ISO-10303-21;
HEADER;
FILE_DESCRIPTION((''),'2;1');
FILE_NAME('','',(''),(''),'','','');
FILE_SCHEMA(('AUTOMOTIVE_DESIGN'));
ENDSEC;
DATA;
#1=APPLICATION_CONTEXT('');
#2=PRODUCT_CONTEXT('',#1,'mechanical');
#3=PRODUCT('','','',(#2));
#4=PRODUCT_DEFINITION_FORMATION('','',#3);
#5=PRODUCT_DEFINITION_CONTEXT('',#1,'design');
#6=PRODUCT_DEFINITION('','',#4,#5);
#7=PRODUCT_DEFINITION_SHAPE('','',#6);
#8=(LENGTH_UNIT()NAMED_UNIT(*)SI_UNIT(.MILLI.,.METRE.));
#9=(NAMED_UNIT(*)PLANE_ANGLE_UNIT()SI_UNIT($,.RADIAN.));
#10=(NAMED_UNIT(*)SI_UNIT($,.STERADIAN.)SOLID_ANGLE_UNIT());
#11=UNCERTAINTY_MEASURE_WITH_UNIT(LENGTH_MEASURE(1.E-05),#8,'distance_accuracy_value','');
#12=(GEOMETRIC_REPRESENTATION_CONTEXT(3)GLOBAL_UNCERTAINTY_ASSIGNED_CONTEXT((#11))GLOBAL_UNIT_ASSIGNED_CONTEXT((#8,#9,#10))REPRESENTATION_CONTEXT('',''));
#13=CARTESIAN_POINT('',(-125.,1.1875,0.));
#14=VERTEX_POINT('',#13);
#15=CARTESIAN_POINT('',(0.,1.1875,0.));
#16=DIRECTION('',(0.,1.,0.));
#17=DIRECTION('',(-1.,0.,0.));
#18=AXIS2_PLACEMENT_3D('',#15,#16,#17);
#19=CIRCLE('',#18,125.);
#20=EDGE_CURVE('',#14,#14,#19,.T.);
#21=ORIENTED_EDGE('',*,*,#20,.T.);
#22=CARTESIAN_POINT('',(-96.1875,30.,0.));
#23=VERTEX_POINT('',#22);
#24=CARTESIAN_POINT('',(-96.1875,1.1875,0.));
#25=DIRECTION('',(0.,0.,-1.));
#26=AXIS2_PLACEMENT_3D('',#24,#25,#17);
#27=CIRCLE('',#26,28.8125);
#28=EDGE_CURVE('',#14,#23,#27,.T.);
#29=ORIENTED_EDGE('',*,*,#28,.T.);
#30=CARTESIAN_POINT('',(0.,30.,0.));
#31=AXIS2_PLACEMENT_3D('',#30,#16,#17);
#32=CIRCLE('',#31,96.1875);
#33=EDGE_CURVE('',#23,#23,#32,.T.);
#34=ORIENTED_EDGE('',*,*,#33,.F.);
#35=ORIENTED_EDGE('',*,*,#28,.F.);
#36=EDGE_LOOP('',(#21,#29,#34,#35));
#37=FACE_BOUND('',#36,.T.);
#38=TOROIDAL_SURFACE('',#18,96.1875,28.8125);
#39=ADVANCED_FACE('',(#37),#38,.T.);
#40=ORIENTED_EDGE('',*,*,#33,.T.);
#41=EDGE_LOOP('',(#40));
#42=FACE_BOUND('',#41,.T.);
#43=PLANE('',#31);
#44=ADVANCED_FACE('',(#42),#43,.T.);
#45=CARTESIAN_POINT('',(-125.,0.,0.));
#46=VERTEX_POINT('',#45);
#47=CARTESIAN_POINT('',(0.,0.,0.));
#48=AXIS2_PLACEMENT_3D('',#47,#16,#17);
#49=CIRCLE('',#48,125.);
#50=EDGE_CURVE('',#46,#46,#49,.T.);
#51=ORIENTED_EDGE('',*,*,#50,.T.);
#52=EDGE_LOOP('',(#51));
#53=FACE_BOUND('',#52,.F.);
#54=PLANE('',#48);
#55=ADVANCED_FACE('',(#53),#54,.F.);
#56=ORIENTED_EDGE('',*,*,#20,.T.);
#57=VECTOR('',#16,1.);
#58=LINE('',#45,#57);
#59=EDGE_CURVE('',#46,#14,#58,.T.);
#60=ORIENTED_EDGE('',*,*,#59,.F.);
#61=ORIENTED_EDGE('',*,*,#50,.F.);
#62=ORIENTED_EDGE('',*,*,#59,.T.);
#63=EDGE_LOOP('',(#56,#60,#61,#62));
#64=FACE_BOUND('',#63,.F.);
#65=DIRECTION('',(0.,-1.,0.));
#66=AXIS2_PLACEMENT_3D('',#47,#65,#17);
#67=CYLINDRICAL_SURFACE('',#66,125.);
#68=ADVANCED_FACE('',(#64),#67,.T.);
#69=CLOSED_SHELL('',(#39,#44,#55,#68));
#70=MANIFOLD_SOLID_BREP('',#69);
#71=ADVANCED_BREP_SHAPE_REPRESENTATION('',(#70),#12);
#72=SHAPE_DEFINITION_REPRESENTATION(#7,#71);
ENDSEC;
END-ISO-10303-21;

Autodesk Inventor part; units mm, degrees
ref_plane "YZ Plane" through (0, 0, 0) normal (1, 0, 0) x (0, 1, 0)
ref_plane "XZ Plane" through (0, 0, 0) normal (0, 1, 0) x (-1, 0, 0)
ref_plane "XY Plane" through (0, 0, 0) normal (0, 0, 1) x (1, 0, 0)
sketch "Sketch1" plane through (0, 0, 0) normal (0, 1, 0) x (-1, 0, 0)
  circle A0 centre (0, 0) radius 125
  dimension "d0" = 250
extrude "Extrusion1" add sketch "Sketch1" along normal blind 30
fillet "Fillet1" radius 28.8125 1 edges at (125, 30, 0)
properties part number "frisbee"
